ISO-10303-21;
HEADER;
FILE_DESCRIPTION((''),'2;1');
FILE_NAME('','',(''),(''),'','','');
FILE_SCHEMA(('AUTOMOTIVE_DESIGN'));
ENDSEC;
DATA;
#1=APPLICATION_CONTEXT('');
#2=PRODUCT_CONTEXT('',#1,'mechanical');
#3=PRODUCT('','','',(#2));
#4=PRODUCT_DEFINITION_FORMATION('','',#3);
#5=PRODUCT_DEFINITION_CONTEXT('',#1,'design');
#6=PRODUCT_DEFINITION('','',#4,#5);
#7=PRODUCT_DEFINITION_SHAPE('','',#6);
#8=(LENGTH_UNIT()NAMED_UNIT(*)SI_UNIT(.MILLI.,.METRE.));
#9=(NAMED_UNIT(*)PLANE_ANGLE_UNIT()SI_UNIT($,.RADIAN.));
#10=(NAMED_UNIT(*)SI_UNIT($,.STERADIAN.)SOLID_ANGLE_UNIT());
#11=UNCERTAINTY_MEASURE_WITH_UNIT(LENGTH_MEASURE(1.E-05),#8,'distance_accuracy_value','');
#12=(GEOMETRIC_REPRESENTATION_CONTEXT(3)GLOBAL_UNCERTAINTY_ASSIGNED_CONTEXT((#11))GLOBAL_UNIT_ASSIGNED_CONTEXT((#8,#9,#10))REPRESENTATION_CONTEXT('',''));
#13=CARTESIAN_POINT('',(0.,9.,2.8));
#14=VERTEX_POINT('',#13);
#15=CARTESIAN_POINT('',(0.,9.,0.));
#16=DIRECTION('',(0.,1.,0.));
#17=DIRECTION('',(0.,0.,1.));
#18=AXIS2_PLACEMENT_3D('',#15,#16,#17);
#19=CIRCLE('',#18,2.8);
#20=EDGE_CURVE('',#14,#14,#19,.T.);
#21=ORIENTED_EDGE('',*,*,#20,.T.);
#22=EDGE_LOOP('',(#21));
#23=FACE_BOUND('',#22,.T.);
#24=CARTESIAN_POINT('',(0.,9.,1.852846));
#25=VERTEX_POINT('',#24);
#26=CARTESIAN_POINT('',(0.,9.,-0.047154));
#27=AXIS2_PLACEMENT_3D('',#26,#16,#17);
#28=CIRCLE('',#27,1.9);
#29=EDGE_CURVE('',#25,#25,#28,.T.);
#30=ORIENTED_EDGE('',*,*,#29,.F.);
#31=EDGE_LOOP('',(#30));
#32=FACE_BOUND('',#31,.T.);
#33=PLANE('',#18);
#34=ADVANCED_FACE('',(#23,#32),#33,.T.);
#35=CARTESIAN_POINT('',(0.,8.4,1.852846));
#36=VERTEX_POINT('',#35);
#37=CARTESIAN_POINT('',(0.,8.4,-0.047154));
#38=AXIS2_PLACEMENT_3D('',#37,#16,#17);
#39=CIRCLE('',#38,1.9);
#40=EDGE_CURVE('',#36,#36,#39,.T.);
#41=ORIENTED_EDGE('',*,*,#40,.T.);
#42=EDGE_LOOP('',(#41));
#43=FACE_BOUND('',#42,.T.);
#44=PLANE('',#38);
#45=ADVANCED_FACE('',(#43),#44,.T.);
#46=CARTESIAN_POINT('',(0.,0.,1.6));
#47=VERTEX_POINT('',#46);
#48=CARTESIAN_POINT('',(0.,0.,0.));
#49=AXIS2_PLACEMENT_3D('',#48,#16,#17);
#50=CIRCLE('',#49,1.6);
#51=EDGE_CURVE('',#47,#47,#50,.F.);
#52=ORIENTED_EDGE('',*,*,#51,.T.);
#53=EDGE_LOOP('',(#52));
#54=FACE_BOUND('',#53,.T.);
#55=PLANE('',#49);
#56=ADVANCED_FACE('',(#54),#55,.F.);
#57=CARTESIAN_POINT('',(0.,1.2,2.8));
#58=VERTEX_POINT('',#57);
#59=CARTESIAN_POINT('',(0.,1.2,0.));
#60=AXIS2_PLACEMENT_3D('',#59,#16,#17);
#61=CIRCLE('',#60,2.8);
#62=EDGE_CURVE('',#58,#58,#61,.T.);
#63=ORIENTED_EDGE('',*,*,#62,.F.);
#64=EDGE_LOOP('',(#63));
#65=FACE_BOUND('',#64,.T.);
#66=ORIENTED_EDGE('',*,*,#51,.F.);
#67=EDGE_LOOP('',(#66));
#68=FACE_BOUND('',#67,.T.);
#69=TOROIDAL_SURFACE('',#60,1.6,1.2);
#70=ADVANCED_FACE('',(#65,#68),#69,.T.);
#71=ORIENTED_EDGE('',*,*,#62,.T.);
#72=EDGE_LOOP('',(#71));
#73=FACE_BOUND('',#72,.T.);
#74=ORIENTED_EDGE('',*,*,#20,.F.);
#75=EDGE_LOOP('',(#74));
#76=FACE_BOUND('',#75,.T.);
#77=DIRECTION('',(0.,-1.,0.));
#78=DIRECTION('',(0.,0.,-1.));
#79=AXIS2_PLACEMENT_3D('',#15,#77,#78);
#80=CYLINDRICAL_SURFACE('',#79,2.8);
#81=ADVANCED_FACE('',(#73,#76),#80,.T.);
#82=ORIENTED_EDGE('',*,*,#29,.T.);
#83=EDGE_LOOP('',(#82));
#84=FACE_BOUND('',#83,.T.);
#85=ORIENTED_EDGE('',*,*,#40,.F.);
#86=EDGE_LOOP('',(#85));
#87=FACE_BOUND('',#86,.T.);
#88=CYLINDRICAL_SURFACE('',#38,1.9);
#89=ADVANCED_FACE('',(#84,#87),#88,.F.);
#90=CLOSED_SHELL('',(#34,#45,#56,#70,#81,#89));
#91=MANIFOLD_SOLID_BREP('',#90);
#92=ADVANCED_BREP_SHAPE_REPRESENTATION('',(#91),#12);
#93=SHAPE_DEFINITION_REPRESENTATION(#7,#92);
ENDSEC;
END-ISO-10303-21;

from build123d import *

# Parameters (mm, degrees)
SKETCH_1_R          = 2.8
EXTRUDE_1_DEPTH     = 9
SKETCH_2_R          = 1.9
CUT_EXTRUDE_1_DEPTH = 0.6
FILLET_1_R          = 1.2


with BuildPart() as part:
    # Эскиз1 → Бобышка-Вытянуть1 (new body)
    with BuildSketch(Plane(origin=(0, 0, 0), x_dir=(1, 0, 0), z_dir=(0, 1, 0))):
        Circle(SKETCH_1_R)
    extrude(amount=EXTRUDE_1_DEPTH)

    # Эскиз2 → Вырез-Вытянуть1 (cut)
    with BuildSketch(Plane(origin=(0, 9, 0), x_dir=(1, 0, 0), z_dir=(0, 1, 0))):
        with Locations((0, 0.047154172)):
            Circle(SKETCH_2_R)
    extrude(amount=-CUT_EXTRUDE_1_DEPTH, mode=Mode.SUBTRACT)

    # Скругление1
    fillet_1_edges = [part.edges().sort_by_distance(p)[0] for p in [
        (-2.8, 0, 0),
    ]]
    fillet(fillet_1_edges, radius=FILLET_1_R)


solid = part.part
